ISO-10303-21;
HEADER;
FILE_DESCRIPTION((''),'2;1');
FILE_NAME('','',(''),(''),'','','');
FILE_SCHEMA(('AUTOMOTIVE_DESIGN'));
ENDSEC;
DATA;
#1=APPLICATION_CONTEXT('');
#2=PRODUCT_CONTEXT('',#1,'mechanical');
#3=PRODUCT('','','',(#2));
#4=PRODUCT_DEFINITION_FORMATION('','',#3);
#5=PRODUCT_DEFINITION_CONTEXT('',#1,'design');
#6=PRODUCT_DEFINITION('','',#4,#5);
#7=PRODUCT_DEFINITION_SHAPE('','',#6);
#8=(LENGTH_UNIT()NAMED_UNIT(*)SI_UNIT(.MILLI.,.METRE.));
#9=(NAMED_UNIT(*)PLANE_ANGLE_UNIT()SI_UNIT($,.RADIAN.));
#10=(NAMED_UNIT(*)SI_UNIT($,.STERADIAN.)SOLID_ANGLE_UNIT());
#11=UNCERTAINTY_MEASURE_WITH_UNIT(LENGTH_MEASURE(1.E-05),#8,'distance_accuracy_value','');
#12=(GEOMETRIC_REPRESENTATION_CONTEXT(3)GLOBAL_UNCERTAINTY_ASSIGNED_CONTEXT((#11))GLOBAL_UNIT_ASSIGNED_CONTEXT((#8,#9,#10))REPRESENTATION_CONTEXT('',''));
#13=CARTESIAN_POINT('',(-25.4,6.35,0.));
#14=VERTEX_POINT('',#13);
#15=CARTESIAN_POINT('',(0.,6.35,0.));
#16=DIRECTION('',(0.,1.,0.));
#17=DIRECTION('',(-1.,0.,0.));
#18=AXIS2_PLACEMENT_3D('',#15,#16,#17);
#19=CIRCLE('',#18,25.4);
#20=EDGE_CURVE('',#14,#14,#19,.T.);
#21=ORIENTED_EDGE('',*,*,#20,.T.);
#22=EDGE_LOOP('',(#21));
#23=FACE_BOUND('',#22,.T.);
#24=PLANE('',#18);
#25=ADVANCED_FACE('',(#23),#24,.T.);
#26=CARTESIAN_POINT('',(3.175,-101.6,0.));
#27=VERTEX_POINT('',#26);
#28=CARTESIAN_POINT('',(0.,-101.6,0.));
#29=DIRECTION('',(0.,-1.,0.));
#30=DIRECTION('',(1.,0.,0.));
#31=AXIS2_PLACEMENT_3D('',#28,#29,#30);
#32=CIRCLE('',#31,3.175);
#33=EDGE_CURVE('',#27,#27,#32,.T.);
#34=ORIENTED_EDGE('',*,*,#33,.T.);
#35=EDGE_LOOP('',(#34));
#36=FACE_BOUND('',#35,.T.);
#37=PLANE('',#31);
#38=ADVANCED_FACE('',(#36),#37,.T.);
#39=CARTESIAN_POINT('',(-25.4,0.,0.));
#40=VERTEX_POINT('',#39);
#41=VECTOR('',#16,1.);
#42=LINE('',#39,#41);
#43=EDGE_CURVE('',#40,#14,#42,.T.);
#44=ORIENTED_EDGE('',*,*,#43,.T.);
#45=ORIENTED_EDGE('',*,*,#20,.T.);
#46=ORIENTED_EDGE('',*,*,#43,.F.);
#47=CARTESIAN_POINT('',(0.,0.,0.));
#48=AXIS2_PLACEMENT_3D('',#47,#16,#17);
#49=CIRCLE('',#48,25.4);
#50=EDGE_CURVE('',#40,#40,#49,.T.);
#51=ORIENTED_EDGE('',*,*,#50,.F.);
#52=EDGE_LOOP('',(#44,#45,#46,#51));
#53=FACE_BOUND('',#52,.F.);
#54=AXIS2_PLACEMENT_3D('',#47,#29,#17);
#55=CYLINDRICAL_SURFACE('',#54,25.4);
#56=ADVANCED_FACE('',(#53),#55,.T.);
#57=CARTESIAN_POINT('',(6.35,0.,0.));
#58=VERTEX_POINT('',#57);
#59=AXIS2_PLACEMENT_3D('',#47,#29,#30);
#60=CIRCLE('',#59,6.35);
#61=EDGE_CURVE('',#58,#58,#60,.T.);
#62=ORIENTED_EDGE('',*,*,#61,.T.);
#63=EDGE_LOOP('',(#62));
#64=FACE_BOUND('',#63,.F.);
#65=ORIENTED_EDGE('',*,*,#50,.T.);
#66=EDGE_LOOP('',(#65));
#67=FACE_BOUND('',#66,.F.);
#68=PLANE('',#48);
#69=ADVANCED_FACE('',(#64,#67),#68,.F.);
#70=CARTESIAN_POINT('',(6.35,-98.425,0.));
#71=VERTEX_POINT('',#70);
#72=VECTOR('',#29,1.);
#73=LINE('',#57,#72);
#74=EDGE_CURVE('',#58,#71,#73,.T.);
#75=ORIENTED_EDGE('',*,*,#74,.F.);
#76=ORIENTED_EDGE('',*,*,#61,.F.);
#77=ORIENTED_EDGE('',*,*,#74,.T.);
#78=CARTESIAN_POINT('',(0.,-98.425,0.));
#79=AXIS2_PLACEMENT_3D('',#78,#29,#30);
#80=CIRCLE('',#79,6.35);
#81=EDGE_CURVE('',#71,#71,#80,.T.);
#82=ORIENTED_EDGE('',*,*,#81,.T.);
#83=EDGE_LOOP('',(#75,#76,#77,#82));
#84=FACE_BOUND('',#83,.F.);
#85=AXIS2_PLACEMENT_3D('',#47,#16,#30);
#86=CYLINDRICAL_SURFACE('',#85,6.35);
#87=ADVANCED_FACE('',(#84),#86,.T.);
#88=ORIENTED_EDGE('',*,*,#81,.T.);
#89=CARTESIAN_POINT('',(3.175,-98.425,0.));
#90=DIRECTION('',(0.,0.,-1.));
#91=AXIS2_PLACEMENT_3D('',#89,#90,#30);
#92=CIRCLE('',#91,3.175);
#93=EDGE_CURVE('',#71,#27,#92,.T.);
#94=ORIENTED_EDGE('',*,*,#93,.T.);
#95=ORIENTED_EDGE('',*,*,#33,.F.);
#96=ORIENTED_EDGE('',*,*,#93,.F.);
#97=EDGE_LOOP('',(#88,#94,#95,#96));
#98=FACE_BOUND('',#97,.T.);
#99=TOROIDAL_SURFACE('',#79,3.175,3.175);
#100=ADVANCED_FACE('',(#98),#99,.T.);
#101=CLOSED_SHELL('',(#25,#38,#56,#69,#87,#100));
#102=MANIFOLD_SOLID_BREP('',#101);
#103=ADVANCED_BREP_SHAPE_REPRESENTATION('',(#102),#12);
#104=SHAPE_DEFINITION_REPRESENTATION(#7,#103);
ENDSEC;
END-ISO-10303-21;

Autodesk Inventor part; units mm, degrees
ref_plane "YZ Plane" through (0, 0, 0) normal (1, 0, 0) x (0, 1, 0)
ref_plane "XZ Plane" through (0, 0, 0) normal (0, 1, 0) x (-1, 0, 0)
ref_plane "XY Plane" through (0, 0, 0) normal (0, 0, 1) x (1, 0, 0)
sketch "Sketch1" plane through (0, 0, 0) normal (0, 1, 0) x (-1, 0, 0)
  circle A0 centre (0, 0) radius 25.4
  dimension "d0" = 50.8
extrude "Extrusion1" add sketch "Sketch1" along normal blind 6.35
sketch "Sketch2" plane through (0, 0, 0) normal (0, -1, 0) x (1, 0, 0)
  circle A0 centre (0, 0) radius 6.35
  dimension "d3" = 12.7
extrude "Extrusion2" add sketch "Sketch2" along normal blind 101.6
fillet "Fillet1" radius 3.175 1 edges at (-6.35, -101.6, 0)
properties part number "actuator" material "Aluminum 6061"
